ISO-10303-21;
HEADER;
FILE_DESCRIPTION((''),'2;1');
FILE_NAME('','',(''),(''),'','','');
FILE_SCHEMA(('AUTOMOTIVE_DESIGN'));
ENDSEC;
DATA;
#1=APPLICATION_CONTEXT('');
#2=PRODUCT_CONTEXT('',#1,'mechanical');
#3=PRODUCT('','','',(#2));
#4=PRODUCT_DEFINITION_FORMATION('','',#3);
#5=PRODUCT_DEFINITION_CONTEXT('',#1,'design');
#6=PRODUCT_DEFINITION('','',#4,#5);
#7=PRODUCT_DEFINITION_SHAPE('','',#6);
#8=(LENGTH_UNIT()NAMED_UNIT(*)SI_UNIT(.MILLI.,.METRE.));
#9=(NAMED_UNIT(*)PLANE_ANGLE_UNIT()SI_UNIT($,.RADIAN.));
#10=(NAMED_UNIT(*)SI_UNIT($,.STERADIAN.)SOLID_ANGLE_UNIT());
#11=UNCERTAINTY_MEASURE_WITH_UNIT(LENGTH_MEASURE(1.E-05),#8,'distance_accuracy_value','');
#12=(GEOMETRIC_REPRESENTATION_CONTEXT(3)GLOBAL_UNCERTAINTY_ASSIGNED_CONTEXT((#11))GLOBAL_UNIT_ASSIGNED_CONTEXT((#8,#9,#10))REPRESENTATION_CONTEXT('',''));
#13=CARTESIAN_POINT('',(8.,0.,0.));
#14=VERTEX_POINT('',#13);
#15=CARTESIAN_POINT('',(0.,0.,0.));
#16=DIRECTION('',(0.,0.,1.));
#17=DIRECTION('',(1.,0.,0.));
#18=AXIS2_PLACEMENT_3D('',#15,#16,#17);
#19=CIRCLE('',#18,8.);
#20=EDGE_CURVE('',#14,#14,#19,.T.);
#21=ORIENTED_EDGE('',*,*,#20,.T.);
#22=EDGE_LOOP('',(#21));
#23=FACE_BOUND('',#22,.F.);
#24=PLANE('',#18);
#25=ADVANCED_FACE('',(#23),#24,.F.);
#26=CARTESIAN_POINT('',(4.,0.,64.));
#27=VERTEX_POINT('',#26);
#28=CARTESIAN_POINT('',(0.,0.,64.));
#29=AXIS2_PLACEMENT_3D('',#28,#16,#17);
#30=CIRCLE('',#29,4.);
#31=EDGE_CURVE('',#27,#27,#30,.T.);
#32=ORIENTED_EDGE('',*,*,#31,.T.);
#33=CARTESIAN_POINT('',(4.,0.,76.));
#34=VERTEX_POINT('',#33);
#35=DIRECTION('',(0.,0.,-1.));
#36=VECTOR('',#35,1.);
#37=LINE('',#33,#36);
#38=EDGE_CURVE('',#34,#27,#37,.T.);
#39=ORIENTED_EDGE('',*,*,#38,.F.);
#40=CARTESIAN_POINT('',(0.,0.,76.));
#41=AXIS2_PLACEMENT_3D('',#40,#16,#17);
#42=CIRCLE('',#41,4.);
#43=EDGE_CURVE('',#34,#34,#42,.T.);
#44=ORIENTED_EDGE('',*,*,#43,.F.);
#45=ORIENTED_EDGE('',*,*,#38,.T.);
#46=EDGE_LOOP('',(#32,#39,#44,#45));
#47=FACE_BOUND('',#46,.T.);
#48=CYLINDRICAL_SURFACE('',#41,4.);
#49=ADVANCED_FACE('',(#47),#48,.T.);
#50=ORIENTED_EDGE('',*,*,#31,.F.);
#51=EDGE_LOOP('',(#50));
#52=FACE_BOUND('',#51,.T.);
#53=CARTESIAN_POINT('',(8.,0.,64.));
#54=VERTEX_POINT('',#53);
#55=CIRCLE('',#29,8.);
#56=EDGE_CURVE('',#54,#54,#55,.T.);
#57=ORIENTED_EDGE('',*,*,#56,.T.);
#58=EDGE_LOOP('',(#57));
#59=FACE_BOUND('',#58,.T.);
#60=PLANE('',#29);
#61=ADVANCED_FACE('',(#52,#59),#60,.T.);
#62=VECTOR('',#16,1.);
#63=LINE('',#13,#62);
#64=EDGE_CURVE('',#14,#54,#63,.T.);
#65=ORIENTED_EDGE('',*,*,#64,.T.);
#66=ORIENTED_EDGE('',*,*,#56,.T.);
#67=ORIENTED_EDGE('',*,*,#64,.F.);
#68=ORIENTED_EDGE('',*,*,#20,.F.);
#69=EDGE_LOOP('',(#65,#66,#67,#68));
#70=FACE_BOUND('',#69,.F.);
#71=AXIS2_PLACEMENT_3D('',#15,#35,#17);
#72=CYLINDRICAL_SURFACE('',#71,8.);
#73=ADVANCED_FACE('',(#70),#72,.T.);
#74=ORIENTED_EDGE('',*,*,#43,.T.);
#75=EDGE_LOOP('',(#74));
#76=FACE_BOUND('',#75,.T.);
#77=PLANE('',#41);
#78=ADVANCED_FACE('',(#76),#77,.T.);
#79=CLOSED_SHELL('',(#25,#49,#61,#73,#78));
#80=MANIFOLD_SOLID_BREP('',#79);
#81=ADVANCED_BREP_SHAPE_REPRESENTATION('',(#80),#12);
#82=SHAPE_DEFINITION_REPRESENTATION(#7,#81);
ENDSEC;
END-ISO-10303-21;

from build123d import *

# Parameters (mm, degrees)
F0_R     = 8
F1_DEPTH = 76
F2_R     = 8
F2_R_2   = 4
F3_DEPTH = 12


with BuildPart() as f1:
    # F0 (on Top) → F1 (new body)
    with BuildSketch(Plane.XY):
        Circle(F0_R)
    extrude(amount=F1_DEPTH)

    # F2 (on face) → F3 (cut)
    with BuildSketch(Plane.XY.offset(76)):
        Circle(F2_R)
        Circle(F2_R_2, mode=Mode.SUBTRACT)
    extrude(amount=-F3_DEPTH, mode=Mode.SUBTRACT)


solid = f1.part
